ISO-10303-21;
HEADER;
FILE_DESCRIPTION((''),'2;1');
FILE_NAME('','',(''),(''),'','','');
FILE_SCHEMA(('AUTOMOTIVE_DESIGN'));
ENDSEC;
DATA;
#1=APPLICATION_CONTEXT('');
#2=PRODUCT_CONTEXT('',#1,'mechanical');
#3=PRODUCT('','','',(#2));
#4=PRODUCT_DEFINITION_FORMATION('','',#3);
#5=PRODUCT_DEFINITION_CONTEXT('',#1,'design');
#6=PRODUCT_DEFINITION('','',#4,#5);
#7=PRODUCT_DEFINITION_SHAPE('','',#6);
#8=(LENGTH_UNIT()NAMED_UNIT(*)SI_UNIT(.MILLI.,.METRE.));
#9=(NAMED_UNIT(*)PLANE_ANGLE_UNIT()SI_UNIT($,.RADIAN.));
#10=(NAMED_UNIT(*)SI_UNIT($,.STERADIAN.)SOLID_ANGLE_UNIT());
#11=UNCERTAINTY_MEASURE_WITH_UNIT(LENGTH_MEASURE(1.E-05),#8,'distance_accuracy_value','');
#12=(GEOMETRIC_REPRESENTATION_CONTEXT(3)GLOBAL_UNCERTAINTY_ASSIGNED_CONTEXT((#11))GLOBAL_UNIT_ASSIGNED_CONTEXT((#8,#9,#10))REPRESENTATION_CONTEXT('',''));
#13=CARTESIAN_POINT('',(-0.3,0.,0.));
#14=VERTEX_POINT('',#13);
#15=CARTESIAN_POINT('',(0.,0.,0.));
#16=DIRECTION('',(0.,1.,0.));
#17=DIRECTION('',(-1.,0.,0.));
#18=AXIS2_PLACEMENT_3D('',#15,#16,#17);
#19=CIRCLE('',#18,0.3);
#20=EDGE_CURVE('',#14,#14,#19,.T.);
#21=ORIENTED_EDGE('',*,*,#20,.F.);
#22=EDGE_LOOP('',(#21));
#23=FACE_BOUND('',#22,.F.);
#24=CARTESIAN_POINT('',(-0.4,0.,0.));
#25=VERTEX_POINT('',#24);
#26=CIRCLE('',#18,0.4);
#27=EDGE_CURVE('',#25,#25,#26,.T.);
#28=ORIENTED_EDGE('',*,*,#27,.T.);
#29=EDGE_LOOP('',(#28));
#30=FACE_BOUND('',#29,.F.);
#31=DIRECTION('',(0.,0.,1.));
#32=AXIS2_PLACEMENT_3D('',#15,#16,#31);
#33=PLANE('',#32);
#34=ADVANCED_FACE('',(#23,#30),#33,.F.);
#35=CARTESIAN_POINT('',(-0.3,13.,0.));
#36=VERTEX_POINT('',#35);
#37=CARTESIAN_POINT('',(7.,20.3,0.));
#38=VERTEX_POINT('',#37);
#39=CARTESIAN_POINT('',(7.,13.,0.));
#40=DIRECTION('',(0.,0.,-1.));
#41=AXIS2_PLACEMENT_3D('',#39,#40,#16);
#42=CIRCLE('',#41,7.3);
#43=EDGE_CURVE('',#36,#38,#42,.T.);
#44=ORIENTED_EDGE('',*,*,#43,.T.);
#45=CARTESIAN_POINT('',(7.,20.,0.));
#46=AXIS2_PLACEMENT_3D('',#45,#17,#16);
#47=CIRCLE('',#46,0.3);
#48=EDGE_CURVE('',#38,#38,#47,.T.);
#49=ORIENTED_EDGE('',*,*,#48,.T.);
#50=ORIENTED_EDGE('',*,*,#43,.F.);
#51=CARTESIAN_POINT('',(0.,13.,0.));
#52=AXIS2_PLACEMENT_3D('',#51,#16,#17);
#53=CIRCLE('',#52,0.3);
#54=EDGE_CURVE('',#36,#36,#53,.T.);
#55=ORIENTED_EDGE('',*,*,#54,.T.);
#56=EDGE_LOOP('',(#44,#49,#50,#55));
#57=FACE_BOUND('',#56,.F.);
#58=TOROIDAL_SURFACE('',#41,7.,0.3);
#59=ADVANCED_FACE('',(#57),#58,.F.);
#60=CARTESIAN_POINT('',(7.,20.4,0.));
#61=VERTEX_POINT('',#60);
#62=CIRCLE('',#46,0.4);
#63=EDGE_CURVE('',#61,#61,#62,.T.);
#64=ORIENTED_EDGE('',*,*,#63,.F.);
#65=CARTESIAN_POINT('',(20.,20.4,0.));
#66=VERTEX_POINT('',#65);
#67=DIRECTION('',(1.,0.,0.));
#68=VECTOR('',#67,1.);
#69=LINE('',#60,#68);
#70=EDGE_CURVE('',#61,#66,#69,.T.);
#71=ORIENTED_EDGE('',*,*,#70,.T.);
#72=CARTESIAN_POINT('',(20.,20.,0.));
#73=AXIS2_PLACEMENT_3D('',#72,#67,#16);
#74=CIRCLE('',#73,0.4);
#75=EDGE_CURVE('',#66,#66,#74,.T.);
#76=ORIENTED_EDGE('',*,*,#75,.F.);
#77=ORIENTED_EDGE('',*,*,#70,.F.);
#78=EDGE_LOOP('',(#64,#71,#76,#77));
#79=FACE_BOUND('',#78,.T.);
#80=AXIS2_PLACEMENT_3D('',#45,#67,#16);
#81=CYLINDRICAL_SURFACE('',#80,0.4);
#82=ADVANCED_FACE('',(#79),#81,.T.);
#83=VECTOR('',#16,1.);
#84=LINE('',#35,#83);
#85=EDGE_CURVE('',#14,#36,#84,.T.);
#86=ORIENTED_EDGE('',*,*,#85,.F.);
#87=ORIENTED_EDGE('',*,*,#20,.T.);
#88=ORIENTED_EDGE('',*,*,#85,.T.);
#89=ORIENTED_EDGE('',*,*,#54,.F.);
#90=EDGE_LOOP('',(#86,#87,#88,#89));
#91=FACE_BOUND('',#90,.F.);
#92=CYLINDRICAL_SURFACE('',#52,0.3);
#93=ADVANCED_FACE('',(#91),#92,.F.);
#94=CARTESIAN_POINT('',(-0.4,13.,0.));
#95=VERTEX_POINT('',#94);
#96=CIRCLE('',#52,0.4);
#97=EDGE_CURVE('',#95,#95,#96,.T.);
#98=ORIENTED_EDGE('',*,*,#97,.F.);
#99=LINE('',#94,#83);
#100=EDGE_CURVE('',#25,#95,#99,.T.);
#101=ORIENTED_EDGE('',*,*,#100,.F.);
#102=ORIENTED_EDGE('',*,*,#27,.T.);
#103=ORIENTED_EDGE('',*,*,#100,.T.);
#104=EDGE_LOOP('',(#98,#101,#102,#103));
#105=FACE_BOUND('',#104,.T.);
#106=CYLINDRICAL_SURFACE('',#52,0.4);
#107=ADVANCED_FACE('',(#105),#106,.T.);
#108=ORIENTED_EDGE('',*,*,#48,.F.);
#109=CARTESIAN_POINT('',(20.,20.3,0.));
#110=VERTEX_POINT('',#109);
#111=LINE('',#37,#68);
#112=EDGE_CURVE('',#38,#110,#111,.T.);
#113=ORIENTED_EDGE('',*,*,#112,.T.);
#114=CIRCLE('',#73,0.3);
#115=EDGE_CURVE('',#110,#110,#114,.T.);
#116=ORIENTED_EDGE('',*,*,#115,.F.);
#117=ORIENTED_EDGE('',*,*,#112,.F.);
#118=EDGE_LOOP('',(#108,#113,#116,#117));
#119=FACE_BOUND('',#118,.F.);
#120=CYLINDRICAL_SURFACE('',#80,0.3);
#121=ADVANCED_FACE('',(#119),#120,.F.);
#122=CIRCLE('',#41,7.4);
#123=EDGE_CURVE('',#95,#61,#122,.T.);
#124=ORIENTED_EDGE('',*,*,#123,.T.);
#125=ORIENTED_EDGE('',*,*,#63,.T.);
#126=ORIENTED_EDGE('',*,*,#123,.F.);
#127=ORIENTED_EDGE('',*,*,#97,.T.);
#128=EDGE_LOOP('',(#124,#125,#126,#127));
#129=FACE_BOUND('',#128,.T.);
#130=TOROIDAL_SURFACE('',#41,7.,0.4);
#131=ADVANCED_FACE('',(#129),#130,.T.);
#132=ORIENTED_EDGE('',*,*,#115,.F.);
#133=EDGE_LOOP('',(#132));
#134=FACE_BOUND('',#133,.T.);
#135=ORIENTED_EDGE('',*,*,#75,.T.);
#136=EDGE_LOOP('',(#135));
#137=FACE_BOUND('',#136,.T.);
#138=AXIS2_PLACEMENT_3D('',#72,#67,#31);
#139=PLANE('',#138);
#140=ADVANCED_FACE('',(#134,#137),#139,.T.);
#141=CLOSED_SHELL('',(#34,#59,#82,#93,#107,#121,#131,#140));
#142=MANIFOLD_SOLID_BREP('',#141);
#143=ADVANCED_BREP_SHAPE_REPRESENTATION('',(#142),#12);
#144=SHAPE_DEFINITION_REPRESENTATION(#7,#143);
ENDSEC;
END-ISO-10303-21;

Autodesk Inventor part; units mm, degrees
ref_plane "YZ Plane" through (0, 0, 0) normal (1, 0, 0) x (0, 1, 0)
ref_plane "XZ Plane" through (0, 0, 0) normal (0, 1, 0) x (-1, 0, 0)
ref_plane "XY Plane" through (0, 0, 0) normal (0, 0, 1) x (1, 0, 0)
sketch "Sketch1" plane through (0, 0, 0) normal (0, 0, 1) x (1, 0, 0)
  line L0 (7, 20) -> (20, 20)
  line L1 (0, 13) -> (0, 0)
  arc A0 (7, 20) -> (0, 13) centre (7, 13) ccw
  dimension "d3" = 7
  dimension "d10" = 20
  dimension "d11" = 20
sketch "Sketch2" plane through (0, 0, 0) normal (0, 1, 0) x (-1, 0, 0)
  circle A0 centre (0, 0) radius 0.4
  circle A1 centre (0, 0) radius 0.3
  dimension "d6" = 0.8
  dimension "d9" = 0.6
sweep "Sweep1" add profiles "Sketch2" path "Sketch1"
properties part number "TorsionOscillator-FillLine-Coupling" material "Nickel-Copper Alloy 400"
